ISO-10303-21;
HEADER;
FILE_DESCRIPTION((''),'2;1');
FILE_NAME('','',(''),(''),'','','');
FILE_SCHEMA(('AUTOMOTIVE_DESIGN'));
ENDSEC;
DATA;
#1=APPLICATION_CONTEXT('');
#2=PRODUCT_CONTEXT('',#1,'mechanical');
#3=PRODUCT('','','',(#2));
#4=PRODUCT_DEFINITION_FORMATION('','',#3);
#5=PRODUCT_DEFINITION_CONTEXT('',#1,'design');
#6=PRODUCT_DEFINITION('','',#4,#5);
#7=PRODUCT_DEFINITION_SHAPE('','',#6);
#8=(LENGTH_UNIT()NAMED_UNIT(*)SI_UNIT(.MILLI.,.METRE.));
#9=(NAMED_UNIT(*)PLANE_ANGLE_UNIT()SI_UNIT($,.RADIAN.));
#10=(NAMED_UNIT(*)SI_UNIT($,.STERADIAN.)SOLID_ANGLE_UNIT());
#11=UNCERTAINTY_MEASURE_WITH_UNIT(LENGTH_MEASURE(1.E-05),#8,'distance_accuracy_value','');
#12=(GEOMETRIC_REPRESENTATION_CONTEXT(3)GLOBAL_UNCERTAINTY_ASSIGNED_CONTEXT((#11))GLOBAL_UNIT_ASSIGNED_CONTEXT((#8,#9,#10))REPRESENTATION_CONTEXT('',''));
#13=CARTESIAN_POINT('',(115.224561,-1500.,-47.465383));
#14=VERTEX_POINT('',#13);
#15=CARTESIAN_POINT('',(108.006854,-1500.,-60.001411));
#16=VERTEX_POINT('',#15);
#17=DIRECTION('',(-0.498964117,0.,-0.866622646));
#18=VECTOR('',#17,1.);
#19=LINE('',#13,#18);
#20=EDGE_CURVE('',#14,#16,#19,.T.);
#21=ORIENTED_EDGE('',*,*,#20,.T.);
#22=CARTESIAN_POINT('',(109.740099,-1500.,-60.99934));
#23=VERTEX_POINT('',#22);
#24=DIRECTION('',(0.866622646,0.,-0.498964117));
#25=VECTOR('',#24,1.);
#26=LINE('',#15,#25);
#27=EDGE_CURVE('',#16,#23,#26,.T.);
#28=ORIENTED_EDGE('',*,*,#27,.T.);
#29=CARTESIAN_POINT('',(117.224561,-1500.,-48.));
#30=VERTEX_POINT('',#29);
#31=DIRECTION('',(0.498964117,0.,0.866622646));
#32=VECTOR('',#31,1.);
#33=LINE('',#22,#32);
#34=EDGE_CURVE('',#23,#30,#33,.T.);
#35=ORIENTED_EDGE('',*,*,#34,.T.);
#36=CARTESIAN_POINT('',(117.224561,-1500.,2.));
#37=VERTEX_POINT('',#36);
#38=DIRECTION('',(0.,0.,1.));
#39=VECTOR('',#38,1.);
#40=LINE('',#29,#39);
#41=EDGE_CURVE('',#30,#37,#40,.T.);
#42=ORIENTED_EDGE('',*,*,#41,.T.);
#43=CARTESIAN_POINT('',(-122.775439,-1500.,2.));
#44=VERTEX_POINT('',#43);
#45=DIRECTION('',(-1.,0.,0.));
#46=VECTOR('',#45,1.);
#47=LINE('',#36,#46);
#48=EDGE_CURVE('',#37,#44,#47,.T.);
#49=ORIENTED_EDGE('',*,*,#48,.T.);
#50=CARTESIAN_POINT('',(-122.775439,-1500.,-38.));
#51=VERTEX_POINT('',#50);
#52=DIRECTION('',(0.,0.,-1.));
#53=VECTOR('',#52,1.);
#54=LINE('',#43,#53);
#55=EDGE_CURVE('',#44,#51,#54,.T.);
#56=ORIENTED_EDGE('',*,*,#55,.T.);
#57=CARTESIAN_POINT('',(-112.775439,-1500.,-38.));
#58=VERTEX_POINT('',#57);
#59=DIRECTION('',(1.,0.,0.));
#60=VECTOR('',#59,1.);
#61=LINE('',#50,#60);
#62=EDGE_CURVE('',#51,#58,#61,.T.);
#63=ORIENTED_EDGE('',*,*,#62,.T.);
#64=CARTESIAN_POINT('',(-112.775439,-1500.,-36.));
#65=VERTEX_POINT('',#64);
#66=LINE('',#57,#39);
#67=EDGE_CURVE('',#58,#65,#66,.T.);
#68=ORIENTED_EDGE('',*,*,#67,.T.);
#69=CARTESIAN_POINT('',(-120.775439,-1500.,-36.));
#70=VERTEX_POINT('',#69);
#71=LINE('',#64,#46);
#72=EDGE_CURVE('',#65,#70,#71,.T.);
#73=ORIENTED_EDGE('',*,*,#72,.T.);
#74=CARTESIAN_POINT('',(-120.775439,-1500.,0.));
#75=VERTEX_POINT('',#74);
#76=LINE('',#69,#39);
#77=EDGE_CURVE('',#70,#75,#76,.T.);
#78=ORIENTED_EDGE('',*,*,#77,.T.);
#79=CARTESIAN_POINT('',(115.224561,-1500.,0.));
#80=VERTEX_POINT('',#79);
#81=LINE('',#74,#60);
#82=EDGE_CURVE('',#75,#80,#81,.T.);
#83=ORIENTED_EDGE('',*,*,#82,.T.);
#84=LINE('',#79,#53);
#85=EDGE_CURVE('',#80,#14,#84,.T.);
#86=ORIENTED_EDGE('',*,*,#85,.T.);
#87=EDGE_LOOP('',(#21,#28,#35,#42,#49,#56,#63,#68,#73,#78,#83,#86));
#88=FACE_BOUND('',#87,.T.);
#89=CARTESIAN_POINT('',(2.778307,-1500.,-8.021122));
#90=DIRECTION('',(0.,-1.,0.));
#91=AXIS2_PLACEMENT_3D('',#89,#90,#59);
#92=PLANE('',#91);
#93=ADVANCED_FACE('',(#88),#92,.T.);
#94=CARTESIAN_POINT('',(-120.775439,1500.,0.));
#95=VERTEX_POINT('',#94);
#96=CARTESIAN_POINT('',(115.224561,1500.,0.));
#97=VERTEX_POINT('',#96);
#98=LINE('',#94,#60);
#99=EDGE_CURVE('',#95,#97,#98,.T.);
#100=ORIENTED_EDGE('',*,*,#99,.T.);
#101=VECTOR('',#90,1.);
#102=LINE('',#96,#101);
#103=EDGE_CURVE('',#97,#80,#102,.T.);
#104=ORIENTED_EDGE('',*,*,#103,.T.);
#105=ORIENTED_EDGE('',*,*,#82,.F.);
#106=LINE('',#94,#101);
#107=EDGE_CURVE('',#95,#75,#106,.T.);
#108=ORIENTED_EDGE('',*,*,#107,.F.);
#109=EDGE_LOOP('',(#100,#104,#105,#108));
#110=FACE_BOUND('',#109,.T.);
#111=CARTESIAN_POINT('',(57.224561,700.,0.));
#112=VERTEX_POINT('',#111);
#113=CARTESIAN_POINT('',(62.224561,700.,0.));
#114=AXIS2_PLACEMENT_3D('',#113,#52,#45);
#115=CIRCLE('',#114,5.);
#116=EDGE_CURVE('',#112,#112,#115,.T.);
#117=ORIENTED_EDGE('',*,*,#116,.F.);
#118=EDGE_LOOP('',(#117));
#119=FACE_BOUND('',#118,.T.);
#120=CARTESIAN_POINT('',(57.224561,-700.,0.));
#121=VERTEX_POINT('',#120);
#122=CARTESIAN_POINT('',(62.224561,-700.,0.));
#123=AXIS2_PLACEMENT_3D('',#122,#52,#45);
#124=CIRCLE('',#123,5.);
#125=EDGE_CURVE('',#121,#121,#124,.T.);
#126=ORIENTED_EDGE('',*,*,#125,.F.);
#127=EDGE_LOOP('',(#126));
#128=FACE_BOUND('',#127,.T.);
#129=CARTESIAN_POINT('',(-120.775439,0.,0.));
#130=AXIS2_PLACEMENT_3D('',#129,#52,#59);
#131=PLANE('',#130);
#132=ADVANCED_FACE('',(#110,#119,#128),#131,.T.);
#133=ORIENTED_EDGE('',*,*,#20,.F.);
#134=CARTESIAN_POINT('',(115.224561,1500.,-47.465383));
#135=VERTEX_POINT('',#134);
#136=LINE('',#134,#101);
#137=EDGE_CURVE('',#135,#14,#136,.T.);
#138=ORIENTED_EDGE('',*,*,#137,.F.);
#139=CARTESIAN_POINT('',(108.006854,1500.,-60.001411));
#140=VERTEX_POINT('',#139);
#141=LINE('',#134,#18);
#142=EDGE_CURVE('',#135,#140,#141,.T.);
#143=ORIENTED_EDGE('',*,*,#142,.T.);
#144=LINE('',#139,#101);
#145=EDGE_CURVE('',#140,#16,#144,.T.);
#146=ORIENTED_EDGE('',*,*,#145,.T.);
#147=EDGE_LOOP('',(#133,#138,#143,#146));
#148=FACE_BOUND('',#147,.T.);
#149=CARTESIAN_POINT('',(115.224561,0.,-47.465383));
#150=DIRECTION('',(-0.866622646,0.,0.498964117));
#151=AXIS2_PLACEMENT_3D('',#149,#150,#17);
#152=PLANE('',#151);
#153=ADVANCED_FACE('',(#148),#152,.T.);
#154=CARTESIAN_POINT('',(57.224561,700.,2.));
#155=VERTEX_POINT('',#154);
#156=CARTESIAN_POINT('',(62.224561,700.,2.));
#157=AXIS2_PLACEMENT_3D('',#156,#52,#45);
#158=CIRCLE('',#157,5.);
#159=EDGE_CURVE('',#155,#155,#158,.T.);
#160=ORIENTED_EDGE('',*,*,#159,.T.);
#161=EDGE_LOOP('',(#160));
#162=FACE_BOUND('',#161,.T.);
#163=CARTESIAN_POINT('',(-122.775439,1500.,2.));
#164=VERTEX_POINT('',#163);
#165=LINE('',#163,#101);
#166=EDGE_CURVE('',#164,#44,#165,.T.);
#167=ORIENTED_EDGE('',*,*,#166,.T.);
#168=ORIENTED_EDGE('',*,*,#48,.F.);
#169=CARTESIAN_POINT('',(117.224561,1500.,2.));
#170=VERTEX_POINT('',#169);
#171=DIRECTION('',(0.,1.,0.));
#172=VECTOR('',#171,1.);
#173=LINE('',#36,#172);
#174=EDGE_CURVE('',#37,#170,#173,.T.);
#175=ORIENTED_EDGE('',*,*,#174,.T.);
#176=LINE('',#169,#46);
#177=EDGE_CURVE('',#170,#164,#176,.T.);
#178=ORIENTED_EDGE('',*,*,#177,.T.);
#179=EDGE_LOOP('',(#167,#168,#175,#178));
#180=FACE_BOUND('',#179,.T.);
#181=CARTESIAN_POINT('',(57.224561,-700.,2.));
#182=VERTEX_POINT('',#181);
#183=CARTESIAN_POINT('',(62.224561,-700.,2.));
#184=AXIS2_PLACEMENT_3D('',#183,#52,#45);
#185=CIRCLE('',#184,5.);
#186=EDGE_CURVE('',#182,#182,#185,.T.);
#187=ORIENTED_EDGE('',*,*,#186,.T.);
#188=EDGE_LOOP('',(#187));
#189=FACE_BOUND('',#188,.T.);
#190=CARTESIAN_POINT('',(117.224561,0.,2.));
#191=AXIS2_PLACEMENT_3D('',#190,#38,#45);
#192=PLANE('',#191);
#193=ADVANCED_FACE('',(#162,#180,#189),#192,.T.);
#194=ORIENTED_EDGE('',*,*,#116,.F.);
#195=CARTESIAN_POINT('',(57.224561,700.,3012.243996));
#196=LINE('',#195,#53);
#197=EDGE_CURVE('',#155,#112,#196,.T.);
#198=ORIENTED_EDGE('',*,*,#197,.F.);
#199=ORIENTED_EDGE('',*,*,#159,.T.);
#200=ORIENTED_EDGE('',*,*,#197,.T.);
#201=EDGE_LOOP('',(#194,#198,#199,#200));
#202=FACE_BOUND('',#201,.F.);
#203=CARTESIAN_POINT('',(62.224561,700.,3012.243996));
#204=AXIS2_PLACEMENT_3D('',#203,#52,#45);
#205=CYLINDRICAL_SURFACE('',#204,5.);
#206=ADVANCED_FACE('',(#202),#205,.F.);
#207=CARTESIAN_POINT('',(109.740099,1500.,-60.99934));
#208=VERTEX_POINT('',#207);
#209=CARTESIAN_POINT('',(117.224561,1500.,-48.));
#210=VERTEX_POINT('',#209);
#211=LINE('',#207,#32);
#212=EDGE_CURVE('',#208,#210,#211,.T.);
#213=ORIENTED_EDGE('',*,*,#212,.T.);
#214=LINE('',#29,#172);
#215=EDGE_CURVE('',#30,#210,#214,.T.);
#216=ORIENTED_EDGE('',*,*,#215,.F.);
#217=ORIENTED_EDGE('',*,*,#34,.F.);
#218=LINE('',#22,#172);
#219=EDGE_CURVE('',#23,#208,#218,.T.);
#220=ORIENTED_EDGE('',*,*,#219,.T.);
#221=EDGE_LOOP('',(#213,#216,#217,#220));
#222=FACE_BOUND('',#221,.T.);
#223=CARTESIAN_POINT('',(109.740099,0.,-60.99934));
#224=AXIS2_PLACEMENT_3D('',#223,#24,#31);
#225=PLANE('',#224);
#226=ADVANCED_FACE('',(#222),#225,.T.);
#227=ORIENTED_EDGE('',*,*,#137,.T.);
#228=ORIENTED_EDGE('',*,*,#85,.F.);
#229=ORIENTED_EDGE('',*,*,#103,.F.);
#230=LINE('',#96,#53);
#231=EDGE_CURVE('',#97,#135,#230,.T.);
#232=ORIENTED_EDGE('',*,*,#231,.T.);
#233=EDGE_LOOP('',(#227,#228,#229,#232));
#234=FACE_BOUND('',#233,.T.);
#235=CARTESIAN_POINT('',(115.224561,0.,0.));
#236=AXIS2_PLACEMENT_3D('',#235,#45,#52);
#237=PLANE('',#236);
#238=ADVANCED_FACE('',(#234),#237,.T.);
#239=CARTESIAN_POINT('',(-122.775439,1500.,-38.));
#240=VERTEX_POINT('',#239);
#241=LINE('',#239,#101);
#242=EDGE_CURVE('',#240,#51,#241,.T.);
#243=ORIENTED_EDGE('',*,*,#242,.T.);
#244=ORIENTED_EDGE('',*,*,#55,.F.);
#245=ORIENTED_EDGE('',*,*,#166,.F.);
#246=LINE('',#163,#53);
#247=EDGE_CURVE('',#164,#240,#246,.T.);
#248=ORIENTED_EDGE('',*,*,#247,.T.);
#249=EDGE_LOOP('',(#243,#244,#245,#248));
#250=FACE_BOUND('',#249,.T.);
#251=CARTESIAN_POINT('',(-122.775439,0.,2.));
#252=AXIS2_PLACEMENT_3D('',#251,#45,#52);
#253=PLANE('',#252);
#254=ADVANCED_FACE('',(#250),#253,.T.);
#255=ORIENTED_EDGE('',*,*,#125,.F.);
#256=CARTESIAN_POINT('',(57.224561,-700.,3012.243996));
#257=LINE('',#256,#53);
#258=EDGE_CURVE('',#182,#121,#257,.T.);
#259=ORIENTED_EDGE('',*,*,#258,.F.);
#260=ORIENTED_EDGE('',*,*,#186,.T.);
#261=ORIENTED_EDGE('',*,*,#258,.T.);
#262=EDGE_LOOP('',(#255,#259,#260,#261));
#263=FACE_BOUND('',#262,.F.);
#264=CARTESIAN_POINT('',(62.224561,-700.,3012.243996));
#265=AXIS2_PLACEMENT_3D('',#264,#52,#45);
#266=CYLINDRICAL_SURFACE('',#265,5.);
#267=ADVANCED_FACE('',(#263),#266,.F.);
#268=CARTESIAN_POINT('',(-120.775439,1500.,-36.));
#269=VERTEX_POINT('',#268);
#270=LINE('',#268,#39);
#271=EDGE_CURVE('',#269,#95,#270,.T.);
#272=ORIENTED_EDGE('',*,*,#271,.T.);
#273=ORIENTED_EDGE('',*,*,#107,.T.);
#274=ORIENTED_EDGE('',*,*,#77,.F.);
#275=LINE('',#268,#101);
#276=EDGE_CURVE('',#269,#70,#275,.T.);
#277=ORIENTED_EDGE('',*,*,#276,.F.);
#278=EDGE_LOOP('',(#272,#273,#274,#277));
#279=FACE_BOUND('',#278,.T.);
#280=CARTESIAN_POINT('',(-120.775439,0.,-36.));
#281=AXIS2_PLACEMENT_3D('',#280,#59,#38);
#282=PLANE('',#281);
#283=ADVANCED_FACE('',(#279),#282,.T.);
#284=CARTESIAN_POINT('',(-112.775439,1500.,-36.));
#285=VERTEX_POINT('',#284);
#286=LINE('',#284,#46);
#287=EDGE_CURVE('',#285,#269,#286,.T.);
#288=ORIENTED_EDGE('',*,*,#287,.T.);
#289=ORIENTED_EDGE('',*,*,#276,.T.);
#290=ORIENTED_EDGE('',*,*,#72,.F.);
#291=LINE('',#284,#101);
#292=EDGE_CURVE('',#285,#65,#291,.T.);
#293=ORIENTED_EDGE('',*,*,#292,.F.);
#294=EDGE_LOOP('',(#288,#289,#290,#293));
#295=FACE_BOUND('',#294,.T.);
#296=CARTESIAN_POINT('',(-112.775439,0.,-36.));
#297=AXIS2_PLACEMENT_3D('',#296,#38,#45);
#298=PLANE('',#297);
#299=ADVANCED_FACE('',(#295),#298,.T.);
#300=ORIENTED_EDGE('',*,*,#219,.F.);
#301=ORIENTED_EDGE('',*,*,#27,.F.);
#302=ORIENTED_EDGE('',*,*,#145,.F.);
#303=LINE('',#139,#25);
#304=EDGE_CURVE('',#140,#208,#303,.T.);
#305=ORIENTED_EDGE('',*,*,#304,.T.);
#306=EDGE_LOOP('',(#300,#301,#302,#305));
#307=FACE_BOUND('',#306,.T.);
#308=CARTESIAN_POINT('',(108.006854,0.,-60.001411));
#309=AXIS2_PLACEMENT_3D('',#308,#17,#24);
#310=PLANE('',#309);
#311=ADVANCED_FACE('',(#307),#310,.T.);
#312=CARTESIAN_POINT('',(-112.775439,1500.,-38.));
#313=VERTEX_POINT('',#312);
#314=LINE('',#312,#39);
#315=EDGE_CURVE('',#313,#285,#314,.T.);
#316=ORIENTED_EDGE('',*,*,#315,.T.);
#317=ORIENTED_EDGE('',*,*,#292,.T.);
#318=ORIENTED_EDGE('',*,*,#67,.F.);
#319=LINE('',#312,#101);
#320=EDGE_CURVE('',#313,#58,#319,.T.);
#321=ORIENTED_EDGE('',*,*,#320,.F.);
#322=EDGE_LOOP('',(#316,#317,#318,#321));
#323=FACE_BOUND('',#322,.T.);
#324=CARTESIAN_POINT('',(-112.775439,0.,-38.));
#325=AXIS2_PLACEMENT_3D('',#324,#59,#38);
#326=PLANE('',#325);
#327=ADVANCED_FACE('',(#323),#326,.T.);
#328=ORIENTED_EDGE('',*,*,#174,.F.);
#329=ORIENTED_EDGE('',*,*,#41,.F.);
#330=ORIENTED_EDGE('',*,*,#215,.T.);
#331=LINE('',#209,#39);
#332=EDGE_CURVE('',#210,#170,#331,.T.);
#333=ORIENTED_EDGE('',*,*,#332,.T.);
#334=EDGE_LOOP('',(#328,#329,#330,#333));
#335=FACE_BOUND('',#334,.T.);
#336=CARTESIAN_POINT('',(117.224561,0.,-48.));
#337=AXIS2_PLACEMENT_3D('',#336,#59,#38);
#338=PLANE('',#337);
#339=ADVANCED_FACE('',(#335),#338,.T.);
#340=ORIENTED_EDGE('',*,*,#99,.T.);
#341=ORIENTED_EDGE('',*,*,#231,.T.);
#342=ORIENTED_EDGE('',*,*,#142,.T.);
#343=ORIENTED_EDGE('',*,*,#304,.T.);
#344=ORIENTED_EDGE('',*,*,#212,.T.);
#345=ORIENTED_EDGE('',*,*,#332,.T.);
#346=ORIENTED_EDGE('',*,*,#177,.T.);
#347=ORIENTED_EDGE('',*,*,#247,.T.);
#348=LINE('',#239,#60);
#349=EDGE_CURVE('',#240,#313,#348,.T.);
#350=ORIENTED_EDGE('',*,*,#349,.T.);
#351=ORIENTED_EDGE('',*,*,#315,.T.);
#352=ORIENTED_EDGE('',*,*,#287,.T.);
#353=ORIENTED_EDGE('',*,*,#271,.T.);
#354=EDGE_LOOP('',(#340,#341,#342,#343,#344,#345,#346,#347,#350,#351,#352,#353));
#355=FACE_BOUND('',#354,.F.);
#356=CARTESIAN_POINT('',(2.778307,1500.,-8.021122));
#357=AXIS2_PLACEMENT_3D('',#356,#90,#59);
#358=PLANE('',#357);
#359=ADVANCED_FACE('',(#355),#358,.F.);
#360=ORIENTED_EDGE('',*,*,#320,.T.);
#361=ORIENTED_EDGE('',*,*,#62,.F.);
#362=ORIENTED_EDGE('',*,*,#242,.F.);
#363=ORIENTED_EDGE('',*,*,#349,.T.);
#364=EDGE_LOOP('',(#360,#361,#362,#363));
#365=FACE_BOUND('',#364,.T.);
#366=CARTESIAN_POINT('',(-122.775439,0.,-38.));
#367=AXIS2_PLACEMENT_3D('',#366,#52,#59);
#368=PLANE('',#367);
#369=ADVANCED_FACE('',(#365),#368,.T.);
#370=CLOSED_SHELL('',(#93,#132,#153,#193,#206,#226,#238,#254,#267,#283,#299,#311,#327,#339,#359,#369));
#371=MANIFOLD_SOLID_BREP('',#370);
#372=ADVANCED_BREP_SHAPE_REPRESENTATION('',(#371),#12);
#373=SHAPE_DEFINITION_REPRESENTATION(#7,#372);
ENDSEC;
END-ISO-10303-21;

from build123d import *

# Parameters (mm, degrees)
F1_DEPTH = 1500
F3_D     = 10


with BuildPart() as f1:
    # F0 (on Front) → F1 (new body, symmetric)
    with BuildSketch(Plane.XZ):
        Polygon((117.2245608195, 2), (-82.7754391805, 2), (-122.7754391805, 2), (-122.7754391805, -38), (-112.7754391805, -38), (-112.7754391805, -36), (-120.7754391805, -36), (-120.7754391805, 0), (-82.7754391805, 0), (115.2245608195, 0), (115.2245608195, -47.4653829816), (108.0068537776, -60.001411454), (109.7400990692, -60.9993396874), (117.2245608195, -48), align=None)
    extrude(amount=F1_DEPTH, both=True)

    # F3 (through all)
    with Locations(Plane.XY.offset(2)):
        with Locations((62.2245608195, -700), (62.2245608195, 700)):
            Hole(F3_D / 2)


solid = f1.part
